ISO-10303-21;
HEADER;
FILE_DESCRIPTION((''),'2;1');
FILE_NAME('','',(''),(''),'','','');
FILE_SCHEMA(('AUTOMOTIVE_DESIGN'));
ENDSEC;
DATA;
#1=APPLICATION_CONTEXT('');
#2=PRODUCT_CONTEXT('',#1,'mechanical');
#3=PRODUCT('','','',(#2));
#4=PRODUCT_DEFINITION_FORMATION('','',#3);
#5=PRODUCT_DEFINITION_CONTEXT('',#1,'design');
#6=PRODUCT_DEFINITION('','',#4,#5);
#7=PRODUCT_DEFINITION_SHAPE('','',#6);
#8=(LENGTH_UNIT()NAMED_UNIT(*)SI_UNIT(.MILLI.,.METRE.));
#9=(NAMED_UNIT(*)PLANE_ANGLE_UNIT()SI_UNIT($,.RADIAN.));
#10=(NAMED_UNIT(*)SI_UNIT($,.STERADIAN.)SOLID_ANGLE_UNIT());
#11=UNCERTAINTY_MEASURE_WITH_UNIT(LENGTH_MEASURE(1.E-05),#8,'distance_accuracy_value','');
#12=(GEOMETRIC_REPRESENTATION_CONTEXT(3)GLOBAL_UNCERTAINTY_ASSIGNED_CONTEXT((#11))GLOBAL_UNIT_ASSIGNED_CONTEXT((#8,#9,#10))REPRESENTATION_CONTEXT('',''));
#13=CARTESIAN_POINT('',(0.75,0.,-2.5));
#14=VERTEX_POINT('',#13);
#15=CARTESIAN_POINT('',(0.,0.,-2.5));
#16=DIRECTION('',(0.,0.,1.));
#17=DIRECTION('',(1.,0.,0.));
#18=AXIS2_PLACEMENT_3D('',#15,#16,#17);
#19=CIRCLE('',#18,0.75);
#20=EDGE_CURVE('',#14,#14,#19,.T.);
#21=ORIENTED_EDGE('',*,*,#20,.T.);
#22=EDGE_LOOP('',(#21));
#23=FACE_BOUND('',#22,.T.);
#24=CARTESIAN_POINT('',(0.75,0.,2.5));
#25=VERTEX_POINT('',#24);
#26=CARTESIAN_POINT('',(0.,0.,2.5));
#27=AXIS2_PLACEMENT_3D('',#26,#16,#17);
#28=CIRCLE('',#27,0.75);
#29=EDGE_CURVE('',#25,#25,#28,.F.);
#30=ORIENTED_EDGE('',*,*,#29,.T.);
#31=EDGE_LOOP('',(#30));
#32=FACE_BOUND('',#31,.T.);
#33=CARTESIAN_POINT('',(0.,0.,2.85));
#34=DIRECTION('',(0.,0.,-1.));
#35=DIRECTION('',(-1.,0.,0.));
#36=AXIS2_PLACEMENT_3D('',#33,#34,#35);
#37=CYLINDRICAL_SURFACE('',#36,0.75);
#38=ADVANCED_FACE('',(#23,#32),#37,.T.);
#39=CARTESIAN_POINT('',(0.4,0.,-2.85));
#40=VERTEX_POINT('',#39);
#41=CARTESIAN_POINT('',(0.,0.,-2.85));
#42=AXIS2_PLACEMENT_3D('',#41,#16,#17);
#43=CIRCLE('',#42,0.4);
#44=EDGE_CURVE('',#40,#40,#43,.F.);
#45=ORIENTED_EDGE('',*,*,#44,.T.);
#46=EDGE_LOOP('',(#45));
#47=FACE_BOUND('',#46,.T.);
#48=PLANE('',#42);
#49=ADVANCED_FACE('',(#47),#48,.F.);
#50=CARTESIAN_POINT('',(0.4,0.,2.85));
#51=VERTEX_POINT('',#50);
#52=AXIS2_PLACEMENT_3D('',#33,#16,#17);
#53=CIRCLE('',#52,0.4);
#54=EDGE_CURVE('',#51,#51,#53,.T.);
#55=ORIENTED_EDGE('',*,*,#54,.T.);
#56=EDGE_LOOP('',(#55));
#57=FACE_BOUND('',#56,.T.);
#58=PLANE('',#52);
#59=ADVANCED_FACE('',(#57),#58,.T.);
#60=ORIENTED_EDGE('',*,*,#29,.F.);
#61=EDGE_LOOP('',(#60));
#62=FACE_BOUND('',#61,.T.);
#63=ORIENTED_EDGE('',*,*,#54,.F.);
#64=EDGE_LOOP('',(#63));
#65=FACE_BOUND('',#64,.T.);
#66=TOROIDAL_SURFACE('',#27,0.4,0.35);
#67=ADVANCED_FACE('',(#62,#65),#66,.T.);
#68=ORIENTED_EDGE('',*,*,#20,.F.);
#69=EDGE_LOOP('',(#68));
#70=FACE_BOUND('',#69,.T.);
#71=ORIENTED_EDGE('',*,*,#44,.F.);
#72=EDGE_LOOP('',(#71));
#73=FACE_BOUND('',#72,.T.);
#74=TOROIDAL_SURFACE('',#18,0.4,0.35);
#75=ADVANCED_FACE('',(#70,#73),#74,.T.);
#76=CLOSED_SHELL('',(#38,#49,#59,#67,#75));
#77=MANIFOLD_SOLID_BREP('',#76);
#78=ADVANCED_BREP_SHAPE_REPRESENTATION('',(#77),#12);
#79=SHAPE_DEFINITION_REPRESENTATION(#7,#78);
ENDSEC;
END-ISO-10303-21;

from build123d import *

# Parameters (mm, degrees)
SKETCH1_R           = 0.75
BOSS_EXTRUDE1_DEPTH = 2.85
FILLET1_R           = 0.35


with BuildPart() as part:
    # Sketch1 → Boss-Extrude1 (new body, symmetric)
    with BuildSketch(Plane.XY):
        Circle(SKETCH1_R)
    extrude(amount=BOSS_EXTRUDE1_DEPTH, both=True)

    # Fillet1
    fillet1_edges = [part.edges().sort_by_distance(p)[0] for p in [
        (-0.75, 0, -2.85),
        (-0.75, 0, 2.85),
    ]]
    fillet(fillet1_edges, radius=FILLET1_R)


solid = part.part
